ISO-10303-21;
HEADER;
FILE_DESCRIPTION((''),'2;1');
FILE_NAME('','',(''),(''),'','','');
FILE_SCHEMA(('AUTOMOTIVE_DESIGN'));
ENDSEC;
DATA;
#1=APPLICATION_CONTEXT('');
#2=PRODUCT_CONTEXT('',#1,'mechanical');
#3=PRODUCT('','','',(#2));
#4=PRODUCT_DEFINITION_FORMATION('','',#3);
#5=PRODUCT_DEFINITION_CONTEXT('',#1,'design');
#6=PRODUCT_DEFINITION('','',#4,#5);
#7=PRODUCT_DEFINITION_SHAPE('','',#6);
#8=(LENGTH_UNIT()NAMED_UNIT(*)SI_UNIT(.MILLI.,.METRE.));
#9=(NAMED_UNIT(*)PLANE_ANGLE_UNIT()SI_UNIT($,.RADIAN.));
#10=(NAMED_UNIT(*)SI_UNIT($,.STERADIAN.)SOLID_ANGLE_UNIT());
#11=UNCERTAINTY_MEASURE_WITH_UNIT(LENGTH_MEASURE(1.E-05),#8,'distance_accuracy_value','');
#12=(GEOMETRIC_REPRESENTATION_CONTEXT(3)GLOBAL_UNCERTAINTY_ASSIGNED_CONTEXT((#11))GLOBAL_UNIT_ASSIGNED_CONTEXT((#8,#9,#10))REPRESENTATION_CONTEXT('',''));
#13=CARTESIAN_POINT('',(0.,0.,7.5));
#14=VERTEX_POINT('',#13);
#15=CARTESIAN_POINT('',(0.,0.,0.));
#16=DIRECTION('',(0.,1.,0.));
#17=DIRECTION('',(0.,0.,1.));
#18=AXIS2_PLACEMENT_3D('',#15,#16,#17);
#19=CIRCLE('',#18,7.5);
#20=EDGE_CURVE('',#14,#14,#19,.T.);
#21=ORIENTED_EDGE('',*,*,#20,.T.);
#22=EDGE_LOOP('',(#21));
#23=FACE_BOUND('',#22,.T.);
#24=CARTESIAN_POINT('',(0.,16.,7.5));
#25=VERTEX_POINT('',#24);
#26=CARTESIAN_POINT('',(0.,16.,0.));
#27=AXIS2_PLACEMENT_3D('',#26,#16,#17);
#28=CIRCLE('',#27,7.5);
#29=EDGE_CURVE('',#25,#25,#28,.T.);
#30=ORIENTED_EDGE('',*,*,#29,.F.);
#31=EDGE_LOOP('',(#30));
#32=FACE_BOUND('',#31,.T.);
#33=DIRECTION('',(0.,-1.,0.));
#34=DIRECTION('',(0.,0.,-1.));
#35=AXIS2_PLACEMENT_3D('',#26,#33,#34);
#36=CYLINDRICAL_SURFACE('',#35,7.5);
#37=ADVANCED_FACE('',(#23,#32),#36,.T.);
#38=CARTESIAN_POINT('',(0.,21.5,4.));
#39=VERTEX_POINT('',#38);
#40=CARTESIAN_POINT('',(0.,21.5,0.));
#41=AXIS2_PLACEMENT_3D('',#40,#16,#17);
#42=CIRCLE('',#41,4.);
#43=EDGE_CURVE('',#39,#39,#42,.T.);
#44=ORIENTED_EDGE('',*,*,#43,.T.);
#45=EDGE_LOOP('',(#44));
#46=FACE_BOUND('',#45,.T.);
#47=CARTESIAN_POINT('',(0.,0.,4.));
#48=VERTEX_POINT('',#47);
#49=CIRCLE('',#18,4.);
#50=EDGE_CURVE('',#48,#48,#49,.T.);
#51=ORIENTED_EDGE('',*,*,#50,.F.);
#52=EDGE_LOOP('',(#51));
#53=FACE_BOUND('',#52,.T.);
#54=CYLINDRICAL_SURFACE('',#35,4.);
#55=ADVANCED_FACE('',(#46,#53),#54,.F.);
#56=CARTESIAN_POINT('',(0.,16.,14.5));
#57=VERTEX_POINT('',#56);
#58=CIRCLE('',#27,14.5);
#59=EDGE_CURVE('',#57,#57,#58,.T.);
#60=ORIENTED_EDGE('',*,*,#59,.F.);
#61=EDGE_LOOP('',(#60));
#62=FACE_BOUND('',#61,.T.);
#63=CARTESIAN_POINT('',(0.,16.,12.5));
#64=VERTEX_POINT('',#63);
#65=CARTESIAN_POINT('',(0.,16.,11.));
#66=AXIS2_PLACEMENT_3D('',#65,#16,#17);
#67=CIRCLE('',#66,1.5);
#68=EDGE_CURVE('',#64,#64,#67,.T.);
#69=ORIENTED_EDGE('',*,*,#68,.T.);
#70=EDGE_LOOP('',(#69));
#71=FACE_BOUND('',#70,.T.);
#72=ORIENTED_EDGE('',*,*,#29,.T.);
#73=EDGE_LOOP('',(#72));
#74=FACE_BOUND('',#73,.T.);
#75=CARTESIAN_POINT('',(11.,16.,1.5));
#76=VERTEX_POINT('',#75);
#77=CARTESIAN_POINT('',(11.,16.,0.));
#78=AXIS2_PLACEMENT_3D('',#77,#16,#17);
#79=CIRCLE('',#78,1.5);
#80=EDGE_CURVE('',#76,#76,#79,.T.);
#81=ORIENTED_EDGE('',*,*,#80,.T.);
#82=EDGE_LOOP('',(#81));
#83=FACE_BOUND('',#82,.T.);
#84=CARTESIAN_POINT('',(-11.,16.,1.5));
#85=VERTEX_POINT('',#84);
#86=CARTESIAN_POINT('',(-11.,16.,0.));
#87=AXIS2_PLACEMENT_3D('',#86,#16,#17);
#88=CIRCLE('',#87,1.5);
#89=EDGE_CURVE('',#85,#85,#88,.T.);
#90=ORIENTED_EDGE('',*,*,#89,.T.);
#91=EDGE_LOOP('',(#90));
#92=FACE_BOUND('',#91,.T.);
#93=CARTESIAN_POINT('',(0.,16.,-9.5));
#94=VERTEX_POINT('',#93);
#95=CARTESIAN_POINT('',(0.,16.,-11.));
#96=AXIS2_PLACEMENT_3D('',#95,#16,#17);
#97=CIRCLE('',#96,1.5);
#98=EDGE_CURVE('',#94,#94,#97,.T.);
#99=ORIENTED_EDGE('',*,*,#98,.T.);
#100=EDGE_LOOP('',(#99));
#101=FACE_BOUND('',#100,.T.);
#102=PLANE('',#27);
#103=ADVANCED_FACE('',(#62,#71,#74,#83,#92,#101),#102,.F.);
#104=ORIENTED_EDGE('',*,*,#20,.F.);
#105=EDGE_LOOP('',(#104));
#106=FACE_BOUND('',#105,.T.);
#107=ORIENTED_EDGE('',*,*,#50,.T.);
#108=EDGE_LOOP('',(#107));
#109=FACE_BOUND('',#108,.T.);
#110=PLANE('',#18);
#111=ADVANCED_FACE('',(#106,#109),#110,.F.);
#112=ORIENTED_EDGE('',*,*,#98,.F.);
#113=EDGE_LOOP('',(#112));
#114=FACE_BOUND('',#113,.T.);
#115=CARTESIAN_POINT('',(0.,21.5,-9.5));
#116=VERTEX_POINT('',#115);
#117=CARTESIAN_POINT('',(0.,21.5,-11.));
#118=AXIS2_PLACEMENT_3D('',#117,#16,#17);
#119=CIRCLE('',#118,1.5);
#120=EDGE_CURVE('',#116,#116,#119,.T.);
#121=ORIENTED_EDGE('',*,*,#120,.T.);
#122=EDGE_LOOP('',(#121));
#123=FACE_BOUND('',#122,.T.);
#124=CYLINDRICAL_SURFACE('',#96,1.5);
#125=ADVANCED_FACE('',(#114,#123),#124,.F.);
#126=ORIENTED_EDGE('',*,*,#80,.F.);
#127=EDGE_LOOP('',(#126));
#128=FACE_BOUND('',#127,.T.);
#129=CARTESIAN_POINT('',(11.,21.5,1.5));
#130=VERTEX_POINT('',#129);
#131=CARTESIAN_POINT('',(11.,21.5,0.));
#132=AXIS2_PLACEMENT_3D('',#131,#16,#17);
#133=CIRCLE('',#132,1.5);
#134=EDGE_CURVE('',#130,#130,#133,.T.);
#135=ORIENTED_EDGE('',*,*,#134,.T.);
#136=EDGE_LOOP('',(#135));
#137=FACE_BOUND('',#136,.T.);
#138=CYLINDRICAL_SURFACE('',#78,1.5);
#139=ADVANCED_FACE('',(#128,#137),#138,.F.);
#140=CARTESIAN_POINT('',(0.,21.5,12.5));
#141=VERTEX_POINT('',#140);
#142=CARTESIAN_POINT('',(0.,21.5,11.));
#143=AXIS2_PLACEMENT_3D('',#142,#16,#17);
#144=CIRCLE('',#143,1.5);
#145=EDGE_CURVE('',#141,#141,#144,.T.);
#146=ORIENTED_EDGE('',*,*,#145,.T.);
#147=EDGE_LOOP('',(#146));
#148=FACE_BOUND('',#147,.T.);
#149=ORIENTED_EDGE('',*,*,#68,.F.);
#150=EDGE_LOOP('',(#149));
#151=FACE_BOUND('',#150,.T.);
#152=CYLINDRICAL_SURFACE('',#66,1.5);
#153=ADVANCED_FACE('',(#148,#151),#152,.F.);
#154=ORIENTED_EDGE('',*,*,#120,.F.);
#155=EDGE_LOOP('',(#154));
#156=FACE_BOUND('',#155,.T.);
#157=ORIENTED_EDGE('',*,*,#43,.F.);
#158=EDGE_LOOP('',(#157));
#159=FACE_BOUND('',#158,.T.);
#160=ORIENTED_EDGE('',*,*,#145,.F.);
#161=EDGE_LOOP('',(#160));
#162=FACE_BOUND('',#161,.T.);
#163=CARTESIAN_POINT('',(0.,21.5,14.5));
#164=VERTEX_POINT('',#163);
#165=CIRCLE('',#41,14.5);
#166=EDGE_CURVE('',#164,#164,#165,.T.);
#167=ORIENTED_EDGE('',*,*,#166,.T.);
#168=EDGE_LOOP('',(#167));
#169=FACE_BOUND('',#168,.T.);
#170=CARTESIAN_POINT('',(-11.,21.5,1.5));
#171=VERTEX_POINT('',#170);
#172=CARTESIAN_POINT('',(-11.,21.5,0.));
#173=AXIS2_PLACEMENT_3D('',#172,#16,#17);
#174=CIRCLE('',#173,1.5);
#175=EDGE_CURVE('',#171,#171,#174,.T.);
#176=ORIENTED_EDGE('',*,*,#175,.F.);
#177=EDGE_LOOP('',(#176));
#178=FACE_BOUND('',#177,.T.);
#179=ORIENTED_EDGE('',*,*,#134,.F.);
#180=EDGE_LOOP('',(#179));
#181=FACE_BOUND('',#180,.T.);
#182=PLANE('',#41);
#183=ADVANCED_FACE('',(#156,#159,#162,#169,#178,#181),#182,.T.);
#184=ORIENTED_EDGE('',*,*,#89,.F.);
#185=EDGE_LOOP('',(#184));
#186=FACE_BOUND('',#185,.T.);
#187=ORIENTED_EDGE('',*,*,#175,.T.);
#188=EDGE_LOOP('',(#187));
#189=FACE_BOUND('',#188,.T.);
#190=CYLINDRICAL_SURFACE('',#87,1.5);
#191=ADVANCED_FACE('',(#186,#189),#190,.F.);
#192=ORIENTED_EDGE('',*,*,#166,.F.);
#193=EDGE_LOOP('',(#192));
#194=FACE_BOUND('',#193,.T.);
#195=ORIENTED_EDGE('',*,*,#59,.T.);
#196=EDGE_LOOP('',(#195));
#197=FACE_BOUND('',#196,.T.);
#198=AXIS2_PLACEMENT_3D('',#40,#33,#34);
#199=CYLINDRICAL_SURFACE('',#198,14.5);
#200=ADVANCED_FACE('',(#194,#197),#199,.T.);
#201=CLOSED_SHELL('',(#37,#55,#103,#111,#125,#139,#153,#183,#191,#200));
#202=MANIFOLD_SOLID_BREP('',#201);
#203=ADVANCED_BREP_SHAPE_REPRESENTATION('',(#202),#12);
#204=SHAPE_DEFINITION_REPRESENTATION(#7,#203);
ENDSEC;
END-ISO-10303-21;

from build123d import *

# Parameters (mm, degrees)
SKETCH1_R           = 7.5
SKETCH1_R_2         = 4
BOSS_EXTRUDE1_DEPTH = 16
SKETCH2_R           = 14.5
SKETCH2_R_2         = 7.5
BOSS_EXTRUDE2_DEPTH = 5.5
SKETCH3_R           = 7.5
SKETCH3_R_2         = 4
BOSS_EXTRUDE3_DEPTH = 5.5
SKETCH4_R           = 1.5
CUT_EXTRUDE1_DEPTH  = 5.5


with BuildPart() as part:
    # Sketch1 → Boss-Extrude1 (new body)
    with BuildSketch(Plane(origin=(0, 0, 0), x_dir=(1, 0, 0), z_dir=(0, 1, 0))):
        Circle(SKETCH1_R)
        Circle(SKETCH1_R_2, mode=Mode.SUBTRACT)
    extrude(amount=BOSS_EXTRUDE1_DEPTH)



with BuildPart() as body_2:
    # Sketch2 → Boss-Extrude2 (new body)
    with BuildSketch(Plane(origin=(0, 16, 0), x_dir=(1, 0, 0), z_dir=(0, 1, 0))):
        Circle(SKETCH2_R)
        Circle(SKETCH2_R_2, mode=Mode.SUBTRACT)
    extrude(amount=BOSS_EXTRUDE2_DEPTH)


with BuildPart() as part_1:
    add(part.part)

    add(body_2.part)  # Boss-Extrude3 merges body 2
    # Sketch3 → Boss-Extrude3 (add)
    with BuildSketch(Plane(origin=(0, 16, 0), x_dir=(1, 0, 0), z_dir=(0, 1, 0))):
        Circle(SKETCH3_R)
        Circle(SKETCH3_R_2, mode=Mode.SUBTRACT)
    extrude(amount=BOSS_EXTRUDE3_DEPTH)

    # Sketch4 → Cut-Extrude1 (cut)
    with BuildSketch(Plane(origin=(0, 21.5, 0), x_dir=(1, 0, 0), z_dir=(0, 1, 0))):
        with Locations((11, 0)):
            Circle(SKETCH4_R)
        with BuildLine():
            ThreePointArc((1.5, -11), (1.060660172, -9.939339828), (0, -9.5))
            Line((0, -9.5), (0, -12.5))
            ThreePointArc((0, -12.5), (1.060660172, -12.060660172), (1.5, -11))
        make_face()
        with BuildLine():
            Line((0, -12.5), (0, -9.5))
            ThreePointArc((0, -9.5), (-1.5, -11), (0, -12.5))
        make_face()
        with Locations((-11, 0)):
            Circle(SKETCH4_R)
        with BuildLine():
            ThreePointArc((1.5, 11), (1.060660172, 12.060660172), (0, 12.5))
            Line((0, 12.5), (0, 9.5))
            ThreePointArc((0, 9.5), (1.060660172, 9.939339828), (1.5, 11))
        make_face()
        with BuildLine():
            Line((0, 9.5), (0, 12.5))
            ThreePointArc((0, 12.5), (-1.5, 11), (0, 9.5))
        make_face()
    extrude(amount=-CUT_EXTRUDE1_DEPTH, mode=Mode.SUBTRACT)


solid = part_1.part
